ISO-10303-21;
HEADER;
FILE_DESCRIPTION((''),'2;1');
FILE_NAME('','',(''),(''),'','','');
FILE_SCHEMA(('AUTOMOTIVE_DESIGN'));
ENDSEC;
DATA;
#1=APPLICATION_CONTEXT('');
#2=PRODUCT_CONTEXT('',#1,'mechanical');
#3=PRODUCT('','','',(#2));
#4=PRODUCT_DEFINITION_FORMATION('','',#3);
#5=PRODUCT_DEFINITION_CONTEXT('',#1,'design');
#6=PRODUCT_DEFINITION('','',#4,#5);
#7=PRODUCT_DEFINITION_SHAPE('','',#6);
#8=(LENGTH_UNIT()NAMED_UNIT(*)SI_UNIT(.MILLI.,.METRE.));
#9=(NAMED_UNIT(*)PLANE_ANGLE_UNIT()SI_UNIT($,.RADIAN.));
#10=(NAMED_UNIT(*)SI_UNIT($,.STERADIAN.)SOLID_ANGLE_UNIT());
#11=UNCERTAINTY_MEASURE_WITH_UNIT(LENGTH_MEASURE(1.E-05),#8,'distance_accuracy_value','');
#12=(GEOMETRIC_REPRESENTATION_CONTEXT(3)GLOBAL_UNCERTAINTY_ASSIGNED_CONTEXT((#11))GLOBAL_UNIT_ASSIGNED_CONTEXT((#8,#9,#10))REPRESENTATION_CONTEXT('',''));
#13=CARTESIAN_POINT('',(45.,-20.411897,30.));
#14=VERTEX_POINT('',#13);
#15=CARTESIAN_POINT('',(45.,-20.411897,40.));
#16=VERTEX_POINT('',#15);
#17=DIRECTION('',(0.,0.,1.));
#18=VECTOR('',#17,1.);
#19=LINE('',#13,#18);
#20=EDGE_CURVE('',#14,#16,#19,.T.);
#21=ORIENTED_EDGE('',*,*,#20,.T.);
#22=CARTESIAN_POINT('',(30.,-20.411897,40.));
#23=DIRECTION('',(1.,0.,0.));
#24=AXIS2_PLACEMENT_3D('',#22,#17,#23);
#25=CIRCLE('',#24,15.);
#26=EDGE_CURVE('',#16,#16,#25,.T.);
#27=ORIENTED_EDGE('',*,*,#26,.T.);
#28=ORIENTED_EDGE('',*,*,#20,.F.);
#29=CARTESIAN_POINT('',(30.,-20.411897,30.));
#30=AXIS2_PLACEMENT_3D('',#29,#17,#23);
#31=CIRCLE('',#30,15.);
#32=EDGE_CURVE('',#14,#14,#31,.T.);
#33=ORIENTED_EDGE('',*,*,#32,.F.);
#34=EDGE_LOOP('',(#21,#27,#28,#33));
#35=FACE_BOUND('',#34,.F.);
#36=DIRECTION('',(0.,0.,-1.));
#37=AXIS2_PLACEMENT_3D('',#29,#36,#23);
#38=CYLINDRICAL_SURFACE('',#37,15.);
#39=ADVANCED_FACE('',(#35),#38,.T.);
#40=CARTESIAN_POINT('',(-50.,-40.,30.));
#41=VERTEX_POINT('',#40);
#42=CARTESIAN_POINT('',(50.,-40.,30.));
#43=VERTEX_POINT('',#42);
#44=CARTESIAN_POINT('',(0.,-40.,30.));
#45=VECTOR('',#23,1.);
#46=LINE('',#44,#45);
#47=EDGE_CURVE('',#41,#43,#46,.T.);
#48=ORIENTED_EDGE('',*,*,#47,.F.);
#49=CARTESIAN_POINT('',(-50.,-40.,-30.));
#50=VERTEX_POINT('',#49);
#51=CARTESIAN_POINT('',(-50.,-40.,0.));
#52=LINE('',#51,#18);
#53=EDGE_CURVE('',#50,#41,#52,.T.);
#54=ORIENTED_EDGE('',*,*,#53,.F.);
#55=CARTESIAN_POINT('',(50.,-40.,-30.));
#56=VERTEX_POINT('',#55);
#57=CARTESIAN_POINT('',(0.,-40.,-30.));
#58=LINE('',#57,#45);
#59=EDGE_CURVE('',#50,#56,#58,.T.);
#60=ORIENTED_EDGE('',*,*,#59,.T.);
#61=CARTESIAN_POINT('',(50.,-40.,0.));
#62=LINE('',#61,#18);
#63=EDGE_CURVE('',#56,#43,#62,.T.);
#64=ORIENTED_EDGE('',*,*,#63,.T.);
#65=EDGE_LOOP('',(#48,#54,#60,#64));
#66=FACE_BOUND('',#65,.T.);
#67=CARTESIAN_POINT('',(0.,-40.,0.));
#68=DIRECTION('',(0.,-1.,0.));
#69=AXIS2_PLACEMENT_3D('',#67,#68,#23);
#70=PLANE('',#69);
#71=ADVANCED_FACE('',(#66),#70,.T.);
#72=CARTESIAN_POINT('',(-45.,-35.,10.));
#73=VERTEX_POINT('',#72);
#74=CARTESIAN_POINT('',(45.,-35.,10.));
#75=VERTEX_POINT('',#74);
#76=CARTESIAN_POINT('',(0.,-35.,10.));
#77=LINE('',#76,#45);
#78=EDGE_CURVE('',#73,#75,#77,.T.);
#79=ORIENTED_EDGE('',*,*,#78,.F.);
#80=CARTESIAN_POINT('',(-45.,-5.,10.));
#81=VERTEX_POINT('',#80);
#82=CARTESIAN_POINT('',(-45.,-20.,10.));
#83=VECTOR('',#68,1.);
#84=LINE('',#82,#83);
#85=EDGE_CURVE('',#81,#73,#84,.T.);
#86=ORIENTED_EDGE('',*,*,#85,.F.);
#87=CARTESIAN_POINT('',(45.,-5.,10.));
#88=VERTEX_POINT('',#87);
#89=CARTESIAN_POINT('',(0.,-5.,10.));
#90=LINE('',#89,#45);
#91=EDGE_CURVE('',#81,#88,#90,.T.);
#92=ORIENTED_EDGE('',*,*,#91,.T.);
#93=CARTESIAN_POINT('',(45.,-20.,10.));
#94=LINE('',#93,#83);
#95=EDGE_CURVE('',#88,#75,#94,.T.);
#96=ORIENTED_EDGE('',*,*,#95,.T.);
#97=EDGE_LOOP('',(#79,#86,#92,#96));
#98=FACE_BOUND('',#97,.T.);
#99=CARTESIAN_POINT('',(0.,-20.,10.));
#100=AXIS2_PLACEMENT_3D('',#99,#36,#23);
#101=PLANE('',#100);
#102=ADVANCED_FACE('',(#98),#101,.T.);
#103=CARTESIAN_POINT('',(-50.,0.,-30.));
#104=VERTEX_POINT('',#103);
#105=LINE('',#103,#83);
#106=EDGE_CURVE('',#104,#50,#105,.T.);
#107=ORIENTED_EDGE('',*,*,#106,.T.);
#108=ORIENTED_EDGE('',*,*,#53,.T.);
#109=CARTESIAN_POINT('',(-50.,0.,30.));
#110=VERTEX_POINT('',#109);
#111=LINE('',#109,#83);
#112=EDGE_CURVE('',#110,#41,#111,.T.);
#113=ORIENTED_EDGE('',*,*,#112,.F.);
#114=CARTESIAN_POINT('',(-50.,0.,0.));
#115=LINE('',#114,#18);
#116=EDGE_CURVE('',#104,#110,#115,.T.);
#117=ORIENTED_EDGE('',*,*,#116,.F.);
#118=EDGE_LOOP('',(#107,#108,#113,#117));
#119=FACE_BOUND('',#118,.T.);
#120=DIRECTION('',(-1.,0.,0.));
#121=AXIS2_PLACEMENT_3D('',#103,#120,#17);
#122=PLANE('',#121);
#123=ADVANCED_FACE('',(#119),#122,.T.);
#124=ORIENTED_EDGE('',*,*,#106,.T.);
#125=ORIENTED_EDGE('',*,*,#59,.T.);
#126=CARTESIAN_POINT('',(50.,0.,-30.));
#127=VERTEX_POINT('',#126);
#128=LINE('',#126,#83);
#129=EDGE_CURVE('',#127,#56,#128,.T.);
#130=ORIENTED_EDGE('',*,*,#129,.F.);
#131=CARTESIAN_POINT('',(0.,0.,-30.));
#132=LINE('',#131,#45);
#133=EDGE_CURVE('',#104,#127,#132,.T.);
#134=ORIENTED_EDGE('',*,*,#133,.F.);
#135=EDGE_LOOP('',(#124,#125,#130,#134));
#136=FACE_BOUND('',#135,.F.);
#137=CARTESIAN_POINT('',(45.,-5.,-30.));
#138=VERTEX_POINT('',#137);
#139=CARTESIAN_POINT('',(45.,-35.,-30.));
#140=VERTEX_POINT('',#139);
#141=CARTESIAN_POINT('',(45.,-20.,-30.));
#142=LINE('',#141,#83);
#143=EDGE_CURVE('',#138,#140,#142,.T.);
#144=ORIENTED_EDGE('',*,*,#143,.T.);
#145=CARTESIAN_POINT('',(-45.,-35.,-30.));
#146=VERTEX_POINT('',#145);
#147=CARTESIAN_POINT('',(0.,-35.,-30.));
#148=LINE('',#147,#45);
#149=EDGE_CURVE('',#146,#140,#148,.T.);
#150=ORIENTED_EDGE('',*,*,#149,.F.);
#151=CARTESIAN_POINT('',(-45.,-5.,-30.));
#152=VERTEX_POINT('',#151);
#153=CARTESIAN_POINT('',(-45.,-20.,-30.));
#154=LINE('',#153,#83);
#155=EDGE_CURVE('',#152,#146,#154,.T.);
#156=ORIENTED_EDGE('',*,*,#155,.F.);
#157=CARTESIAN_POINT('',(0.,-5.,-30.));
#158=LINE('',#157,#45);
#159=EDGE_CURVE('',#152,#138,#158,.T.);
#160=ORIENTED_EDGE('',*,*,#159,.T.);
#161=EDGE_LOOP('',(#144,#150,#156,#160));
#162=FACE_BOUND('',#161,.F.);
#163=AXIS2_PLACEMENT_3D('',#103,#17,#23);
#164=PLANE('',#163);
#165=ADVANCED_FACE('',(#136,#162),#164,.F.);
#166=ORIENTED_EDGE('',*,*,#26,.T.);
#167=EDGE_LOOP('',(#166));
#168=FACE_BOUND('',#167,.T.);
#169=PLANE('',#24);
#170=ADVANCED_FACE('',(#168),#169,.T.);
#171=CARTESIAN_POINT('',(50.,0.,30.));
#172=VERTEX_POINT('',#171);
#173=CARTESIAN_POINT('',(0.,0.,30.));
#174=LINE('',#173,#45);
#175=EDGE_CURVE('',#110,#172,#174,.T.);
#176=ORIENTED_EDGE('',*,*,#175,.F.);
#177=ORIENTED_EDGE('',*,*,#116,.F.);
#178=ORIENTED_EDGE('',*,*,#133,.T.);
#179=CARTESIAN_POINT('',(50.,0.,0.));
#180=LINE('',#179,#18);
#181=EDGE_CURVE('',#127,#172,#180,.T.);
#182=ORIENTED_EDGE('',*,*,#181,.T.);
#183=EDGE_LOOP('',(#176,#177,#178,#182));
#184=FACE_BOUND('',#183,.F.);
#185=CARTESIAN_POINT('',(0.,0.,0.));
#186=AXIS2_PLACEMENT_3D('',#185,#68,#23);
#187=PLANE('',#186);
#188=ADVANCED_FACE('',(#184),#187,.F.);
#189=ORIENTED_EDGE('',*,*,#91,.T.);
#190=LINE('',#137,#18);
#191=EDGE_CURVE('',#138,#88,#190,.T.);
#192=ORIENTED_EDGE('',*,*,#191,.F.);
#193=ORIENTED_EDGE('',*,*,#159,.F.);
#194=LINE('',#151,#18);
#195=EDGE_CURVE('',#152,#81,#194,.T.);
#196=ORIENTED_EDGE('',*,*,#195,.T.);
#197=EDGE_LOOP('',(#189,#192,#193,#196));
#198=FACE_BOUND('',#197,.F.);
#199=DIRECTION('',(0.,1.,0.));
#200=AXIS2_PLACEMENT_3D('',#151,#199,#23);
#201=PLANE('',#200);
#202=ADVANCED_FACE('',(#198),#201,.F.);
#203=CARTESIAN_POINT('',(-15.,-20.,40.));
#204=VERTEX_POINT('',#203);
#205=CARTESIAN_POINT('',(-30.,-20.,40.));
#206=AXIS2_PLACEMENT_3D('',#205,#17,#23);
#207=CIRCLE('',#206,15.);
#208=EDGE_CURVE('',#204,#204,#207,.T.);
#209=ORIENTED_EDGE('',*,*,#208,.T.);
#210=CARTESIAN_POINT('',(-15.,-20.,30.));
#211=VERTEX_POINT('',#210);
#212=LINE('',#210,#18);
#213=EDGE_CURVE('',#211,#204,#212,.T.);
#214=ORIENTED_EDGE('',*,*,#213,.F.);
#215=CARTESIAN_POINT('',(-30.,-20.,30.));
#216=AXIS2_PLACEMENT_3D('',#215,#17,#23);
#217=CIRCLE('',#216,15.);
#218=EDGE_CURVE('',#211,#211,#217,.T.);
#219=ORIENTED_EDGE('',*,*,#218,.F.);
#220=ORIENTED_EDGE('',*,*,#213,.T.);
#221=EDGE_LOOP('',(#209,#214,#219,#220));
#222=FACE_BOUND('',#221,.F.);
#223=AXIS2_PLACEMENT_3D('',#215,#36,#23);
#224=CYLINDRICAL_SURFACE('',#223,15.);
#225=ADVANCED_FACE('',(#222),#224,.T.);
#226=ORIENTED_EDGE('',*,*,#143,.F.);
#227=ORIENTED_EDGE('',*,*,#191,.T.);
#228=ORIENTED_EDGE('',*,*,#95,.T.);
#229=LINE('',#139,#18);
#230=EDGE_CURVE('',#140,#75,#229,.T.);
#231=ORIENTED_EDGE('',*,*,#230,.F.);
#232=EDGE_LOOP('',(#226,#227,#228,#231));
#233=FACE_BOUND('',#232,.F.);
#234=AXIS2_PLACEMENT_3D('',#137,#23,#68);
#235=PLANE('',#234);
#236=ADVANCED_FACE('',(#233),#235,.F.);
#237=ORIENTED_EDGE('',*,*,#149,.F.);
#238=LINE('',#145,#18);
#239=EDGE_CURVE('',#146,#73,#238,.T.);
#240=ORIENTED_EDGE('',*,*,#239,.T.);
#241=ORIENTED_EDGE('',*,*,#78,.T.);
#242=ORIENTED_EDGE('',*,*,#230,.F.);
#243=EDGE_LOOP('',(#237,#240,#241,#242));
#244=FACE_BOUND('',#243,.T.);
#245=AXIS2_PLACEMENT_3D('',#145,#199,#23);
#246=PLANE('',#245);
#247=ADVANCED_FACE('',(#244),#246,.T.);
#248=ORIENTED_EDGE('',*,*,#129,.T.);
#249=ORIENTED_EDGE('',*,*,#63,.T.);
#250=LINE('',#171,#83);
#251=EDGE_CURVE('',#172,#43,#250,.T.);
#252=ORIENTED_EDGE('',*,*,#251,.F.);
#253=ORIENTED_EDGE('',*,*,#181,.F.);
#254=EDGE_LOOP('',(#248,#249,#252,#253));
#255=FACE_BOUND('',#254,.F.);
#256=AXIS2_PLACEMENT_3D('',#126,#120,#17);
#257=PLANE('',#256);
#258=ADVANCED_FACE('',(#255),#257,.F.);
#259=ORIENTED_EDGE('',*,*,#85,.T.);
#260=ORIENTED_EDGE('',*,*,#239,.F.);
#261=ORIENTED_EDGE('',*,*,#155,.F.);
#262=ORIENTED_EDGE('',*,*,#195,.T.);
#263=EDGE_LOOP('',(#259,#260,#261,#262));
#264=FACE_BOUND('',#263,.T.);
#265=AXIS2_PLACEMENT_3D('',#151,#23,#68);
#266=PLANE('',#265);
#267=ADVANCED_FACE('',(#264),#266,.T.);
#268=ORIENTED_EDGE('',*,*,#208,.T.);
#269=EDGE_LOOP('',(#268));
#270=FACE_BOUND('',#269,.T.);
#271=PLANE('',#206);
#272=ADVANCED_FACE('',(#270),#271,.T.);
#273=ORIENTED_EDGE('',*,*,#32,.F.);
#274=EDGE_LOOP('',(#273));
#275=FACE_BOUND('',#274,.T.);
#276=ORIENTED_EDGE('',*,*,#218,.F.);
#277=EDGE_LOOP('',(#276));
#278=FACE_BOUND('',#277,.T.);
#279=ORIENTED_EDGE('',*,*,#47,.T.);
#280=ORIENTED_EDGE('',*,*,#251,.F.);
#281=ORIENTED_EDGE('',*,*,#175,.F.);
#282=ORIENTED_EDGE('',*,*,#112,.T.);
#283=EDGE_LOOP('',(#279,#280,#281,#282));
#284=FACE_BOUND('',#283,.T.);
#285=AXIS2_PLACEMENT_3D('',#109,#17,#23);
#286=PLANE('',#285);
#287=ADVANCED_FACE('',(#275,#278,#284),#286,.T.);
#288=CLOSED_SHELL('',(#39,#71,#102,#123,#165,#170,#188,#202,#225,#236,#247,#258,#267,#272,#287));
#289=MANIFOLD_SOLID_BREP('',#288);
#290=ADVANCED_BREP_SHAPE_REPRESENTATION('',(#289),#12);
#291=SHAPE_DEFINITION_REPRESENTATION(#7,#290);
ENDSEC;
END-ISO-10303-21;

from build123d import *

# Parameters (mm, degrees)
F0_W     = 100
F0_H     = 60
F1_DEPTH = 40
F3_R     = 15
F4_DEPTH = 10
F5_W     = 90
F5_H     = 30
F6_DEPTH = 40


with BuildPart() as f1:
    # F0 (on Front) → F1 (new body)
    with BuildSketch(Plane.XZ):
        Rectangle(F0_W, F0_H)
    extrude(amount=F1_DEPTH)

    # F3 (on face) → F4 (join)
    with BuildSketch(Plane.XY.offset(30)):
        with Locations((-30, -20)):
            Circle(F3_R)
        with Locations((30, -20.411897)):
            Circle(F3_R)
    extrude(amount=F4_DEPTH)

    # F5 (on face) → F6 (cut)
    with BuildSketch(Plane(origin=(0, 0, -30), x_dir=(1, 0, 0), z_dir=(0, 0, -1))):
        with Locations((0, 20)):
            Rectangle(F5_W, F5_H)
    extrude(amount=-F6_DEPTH, mode=Mode.SUBTRACT)


solid = f1.part
